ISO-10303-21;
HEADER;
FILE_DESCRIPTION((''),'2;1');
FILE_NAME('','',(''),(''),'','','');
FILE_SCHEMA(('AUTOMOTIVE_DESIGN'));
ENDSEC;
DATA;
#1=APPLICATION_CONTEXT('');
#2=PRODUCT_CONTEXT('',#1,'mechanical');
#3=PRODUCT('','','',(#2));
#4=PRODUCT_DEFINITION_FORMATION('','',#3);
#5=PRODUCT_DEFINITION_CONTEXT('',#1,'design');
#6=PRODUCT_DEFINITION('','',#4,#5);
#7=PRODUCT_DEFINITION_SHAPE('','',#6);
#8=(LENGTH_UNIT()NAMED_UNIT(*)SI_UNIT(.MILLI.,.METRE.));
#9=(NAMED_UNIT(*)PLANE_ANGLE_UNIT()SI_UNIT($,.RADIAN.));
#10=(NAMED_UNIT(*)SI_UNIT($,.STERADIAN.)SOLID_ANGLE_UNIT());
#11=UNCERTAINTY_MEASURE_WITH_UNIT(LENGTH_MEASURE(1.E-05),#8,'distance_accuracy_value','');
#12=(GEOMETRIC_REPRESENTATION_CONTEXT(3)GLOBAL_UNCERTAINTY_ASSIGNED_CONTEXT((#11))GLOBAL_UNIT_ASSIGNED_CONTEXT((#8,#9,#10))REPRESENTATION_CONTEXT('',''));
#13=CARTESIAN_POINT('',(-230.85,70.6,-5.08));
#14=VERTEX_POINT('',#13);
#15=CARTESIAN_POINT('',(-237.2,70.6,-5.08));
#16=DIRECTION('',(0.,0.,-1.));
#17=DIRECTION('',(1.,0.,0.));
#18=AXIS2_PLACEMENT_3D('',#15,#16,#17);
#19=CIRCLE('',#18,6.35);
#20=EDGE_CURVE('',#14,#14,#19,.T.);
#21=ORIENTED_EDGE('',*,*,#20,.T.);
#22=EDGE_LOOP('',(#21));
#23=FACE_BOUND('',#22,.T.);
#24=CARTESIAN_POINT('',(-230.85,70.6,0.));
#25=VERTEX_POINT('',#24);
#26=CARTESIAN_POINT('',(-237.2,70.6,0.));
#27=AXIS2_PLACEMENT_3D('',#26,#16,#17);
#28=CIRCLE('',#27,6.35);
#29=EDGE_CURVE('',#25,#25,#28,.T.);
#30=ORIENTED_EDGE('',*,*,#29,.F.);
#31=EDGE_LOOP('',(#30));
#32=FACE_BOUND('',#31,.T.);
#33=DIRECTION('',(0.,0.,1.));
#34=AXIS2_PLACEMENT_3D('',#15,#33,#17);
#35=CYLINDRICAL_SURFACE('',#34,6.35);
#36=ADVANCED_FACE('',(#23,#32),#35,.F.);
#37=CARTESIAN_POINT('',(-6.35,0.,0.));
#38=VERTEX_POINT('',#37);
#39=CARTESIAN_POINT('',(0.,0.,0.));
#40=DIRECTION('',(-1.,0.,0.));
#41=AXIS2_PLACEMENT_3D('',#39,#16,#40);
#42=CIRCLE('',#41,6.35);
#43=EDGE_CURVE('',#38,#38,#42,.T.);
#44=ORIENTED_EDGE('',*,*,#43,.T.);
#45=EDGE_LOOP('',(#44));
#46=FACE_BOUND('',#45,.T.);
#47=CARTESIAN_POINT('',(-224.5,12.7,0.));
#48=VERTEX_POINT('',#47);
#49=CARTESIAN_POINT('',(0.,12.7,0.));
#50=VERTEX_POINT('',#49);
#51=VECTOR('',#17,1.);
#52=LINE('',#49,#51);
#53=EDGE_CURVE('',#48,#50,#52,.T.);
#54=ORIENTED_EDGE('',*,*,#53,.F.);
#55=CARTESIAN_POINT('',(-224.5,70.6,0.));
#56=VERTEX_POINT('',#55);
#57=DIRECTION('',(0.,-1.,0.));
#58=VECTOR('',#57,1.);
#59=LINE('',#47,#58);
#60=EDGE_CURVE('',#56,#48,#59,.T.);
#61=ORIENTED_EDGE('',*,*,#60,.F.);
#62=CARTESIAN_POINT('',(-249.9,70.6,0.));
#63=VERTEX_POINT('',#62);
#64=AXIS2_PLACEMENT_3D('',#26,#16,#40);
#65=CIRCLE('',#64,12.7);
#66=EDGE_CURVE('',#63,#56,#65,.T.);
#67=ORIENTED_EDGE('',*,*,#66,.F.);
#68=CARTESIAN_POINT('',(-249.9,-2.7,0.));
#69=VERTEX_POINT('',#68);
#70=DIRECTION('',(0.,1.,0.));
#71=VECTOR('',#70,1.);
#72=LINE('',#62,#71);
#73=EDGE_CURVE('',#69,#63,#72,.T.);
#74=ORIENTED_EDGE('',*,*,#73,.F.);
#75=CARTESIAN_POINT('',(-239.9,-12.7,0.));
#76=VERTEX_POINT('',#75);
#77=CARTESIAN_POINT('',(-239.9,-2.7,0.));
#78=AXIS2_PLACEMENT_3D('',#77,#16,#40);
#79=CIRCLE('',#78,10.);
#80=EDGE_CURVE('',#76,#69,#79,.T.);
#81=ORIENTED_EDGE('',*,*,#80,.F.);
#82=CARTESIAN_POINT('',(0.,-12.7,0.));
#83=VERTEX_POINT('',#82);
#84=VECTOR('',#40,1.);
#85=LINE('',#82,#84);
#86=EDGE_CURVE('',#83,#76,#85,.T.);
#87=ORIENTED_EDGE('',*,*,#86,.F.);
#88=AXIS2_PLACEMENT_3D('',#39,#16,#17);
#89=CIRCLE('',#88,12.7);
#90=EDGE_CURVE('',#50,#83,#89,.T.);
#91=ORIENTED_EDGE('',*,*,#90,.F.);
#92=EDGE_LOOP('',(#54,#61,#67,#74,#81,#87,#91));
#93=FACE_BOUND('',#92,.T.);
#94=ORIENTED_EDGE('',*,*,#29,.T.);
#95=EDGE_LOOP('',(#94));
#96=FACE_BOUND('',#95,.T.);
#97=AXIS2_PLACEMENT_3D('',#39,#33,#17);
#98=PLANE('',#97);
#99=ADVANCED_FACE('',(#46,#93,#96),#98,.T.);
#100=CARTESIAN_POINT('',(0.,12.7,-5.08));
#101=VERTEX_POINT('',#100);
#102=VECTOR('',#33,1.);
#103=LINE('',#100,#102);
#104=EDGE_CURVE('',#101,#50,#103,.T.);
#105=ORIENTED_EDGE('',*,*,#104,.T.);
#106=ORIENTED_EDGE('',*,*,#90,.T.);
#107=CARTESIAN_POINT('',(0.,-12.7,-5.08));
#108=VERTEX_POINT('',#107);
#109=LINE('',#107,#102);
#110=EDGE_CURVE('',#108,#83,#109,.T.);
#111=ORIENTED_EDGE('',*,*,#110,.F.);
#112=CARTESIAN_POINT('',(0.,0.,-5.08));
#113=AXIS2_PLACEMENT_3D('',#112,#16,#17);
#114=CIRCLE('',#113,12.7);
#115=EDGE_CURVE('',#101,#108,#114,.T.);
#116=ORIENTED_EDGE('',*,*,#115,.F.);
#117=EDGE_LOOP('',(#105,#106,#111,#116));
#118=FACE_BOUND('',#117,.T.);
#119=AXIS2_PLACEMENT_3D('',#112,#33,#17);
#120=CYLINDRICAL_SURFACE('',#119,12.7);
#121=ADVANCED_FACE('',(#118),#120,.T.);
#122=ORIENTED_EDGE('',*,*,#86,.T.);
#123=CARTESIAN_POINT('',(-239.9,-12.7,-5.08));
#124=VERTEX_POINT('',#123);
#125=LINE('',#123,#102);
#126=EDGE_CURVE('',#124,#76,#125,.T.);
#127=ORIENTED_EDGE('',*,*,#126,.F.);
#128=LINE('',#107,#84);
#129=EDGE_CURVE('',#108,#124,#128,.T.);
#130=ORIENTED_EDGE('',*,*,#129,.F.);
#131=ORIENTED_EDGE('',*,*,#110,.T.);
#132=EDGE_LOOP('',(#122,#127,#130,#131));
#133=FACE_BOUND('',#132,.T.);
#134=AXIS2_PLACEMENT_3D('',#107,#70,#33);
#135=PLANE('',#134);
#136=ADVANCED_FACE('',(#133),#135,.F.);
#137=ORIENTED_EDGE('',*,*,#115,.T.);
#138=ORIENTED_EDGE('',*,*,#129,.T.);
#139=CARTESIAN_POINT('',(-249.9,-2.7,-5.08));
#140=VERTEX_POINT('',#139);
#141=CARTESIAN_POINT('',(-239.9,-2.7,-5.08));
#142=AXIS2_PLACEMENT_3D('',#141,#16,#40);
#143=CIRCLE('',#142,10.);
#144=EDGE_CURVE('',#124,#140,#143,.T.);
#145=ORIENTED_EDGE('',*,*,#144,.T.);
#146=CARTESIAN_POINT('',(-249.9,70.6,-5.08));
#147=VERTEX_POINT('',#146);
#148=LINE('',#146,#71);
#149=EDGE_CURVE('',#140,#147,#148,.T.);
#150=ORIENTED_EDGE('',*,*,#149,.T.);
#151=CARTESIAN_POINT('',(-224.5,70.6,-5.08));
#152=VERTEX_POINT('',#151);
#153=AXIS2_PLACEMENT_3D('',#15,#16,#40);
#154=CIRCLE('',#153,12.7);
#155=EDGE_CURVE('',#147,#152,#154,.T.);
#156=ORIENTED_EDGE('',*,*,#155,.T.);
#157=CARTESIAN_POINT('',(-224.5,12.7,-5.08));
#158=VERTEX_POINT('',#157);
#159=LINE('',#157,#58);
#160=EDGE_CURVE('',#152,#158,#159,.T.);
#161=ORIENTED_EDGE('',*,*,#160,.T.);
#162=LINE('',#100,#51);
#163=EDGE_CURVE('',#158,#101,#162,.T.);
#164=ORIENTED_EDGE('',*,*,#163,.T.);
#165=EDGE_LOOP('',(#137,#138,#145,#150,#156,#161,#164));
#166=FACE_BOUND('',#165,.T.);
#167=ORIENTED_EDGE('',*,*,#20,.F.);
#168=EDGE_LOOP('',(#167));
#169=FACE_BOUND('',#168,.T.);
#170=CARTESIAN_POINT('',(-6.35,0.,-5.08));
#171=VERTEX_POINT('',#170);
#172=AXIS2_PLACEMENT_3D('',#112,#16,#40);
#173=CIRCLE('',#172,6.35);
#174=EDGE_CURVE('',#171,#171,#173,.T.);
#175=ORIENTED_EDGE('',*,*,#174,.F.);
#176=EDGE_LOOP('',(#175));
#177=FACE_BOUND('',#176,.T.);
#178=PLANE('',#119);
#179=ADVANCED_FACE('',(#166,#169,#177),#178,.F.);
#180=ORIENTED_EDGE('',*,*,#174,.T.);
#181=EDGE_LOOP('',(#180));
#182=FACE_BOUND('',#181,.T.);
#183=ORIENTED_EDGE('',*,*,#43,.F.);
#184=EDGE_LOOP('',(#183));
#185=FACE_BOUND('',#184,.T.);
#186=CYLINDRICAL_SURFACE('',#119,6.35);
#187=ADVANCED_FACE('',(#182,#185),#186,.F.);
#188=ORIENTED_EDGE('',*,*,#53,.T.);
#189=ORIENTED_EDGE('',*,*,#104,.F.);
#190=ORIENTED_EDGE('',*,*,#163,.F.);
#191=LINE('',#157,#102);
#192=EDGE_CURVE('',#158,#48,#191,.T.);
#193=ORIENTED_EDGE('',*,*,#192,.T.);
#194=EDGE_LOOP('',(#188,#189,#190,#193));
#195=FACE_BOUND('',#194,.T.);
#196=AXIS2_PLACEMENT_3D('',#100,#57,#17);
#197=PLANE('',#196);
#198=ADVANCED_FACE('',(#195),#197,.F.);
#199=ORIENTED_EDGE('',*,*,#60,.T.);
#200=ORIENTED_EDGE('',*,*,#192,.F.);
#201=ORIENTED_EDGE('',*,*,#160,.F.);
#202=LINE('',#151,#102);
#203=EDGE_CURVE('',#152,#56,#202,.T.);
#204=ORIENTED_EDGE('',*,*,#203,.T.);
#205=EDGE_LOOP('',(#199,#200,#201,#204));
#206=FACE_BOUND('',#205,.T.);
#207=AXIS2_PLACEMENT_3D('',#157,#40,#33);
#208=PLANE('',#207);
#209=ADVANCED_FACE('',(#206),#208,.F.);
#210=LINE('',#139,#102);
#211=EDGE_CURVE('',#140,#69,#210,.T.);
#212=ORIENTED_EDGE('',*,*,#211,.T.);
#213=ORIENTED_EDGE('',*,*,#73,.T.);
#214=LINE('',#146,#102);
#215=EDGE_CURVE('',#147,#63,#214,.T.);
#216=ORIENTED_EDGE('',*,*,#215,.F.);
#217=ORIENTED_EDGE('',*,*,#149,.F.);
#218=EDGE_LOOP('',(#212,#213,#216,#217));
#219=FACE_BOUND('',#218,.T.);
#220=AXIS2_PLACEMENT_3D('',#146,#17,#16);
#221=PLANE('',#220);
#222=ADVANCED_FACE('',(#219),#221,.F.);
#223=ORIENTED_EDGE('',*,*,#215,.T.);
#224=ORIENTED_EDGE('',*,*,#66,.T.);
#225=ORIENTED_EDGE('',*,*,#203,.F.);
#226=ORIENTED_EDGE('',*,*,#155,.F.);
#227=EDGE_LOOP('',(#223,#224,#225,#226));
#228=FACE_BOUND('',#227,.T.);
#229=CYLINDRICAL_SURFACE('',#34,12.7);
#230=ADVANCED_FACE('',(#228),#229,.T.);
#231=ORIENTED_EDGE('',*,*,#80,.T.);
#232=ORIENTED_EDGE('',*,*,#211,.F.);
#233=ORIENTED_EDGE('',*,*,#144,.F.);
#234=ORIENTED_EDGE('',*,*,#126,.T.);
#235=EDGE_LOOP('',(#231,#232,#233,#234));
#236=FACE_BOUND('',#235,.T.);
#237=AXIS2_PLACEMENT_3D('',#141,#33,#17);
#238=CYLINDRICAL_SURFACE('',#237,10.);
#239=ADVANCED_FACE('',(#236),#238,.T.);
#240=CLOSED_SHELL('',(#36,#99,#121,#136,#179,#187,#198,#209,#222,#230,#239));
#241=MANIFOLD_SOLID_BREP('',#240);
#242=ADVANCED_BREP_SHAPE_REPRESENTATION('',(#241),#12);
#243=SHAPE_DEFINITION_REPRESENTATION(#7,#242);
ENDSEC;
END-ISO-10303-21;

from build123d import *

# Parameters (mm, degrees)
SKETCH2_R           = 6.35
BOSS_EXTRUDE1_DEPTH = 5.08


with BuildPart() as part:
    # Sketch2 → Boss-Extrude1 (new body)
    with BuildSketch(Plane(origin=(0, 0, 0), x_dir=(1, 0, 0), z_dir=(0, 0, -1))):
        with BuildLine():
            Line((-249.9, -70.6), (-249.9, 2.7))
            ThreePointArc((-249.9, 2.7), (-246.971067812, 9.771067812), (-239.9, 12.7))
            Line((-239.9, 12.7), (0, 12.7))
            ThreePointArc((0, 12.7), (12.7, 0), (0, -12.7))
            Line((0, -12.7), (-224.5, -12.7))
            Line((-224.5, -12.7), (-224.5, -70.6))
            ThreePointArc((-224.5, -70.6), (-237.2, -83.3), (-249.9, -70.6))
        make_face()
        with Locations(Location((0, 0, 0), (0, 0, 180))):
            Circle(SKETCH2_R, mode=Mode.SUBTRACT)
        with Locations((-237.2, -70.6)):
            Circle(SKETCH2_R, mode=Mode.SUBTRACT)
    extrude(amount=BOSS_EXTRUDE1_DEPTH)


solid = part.part
